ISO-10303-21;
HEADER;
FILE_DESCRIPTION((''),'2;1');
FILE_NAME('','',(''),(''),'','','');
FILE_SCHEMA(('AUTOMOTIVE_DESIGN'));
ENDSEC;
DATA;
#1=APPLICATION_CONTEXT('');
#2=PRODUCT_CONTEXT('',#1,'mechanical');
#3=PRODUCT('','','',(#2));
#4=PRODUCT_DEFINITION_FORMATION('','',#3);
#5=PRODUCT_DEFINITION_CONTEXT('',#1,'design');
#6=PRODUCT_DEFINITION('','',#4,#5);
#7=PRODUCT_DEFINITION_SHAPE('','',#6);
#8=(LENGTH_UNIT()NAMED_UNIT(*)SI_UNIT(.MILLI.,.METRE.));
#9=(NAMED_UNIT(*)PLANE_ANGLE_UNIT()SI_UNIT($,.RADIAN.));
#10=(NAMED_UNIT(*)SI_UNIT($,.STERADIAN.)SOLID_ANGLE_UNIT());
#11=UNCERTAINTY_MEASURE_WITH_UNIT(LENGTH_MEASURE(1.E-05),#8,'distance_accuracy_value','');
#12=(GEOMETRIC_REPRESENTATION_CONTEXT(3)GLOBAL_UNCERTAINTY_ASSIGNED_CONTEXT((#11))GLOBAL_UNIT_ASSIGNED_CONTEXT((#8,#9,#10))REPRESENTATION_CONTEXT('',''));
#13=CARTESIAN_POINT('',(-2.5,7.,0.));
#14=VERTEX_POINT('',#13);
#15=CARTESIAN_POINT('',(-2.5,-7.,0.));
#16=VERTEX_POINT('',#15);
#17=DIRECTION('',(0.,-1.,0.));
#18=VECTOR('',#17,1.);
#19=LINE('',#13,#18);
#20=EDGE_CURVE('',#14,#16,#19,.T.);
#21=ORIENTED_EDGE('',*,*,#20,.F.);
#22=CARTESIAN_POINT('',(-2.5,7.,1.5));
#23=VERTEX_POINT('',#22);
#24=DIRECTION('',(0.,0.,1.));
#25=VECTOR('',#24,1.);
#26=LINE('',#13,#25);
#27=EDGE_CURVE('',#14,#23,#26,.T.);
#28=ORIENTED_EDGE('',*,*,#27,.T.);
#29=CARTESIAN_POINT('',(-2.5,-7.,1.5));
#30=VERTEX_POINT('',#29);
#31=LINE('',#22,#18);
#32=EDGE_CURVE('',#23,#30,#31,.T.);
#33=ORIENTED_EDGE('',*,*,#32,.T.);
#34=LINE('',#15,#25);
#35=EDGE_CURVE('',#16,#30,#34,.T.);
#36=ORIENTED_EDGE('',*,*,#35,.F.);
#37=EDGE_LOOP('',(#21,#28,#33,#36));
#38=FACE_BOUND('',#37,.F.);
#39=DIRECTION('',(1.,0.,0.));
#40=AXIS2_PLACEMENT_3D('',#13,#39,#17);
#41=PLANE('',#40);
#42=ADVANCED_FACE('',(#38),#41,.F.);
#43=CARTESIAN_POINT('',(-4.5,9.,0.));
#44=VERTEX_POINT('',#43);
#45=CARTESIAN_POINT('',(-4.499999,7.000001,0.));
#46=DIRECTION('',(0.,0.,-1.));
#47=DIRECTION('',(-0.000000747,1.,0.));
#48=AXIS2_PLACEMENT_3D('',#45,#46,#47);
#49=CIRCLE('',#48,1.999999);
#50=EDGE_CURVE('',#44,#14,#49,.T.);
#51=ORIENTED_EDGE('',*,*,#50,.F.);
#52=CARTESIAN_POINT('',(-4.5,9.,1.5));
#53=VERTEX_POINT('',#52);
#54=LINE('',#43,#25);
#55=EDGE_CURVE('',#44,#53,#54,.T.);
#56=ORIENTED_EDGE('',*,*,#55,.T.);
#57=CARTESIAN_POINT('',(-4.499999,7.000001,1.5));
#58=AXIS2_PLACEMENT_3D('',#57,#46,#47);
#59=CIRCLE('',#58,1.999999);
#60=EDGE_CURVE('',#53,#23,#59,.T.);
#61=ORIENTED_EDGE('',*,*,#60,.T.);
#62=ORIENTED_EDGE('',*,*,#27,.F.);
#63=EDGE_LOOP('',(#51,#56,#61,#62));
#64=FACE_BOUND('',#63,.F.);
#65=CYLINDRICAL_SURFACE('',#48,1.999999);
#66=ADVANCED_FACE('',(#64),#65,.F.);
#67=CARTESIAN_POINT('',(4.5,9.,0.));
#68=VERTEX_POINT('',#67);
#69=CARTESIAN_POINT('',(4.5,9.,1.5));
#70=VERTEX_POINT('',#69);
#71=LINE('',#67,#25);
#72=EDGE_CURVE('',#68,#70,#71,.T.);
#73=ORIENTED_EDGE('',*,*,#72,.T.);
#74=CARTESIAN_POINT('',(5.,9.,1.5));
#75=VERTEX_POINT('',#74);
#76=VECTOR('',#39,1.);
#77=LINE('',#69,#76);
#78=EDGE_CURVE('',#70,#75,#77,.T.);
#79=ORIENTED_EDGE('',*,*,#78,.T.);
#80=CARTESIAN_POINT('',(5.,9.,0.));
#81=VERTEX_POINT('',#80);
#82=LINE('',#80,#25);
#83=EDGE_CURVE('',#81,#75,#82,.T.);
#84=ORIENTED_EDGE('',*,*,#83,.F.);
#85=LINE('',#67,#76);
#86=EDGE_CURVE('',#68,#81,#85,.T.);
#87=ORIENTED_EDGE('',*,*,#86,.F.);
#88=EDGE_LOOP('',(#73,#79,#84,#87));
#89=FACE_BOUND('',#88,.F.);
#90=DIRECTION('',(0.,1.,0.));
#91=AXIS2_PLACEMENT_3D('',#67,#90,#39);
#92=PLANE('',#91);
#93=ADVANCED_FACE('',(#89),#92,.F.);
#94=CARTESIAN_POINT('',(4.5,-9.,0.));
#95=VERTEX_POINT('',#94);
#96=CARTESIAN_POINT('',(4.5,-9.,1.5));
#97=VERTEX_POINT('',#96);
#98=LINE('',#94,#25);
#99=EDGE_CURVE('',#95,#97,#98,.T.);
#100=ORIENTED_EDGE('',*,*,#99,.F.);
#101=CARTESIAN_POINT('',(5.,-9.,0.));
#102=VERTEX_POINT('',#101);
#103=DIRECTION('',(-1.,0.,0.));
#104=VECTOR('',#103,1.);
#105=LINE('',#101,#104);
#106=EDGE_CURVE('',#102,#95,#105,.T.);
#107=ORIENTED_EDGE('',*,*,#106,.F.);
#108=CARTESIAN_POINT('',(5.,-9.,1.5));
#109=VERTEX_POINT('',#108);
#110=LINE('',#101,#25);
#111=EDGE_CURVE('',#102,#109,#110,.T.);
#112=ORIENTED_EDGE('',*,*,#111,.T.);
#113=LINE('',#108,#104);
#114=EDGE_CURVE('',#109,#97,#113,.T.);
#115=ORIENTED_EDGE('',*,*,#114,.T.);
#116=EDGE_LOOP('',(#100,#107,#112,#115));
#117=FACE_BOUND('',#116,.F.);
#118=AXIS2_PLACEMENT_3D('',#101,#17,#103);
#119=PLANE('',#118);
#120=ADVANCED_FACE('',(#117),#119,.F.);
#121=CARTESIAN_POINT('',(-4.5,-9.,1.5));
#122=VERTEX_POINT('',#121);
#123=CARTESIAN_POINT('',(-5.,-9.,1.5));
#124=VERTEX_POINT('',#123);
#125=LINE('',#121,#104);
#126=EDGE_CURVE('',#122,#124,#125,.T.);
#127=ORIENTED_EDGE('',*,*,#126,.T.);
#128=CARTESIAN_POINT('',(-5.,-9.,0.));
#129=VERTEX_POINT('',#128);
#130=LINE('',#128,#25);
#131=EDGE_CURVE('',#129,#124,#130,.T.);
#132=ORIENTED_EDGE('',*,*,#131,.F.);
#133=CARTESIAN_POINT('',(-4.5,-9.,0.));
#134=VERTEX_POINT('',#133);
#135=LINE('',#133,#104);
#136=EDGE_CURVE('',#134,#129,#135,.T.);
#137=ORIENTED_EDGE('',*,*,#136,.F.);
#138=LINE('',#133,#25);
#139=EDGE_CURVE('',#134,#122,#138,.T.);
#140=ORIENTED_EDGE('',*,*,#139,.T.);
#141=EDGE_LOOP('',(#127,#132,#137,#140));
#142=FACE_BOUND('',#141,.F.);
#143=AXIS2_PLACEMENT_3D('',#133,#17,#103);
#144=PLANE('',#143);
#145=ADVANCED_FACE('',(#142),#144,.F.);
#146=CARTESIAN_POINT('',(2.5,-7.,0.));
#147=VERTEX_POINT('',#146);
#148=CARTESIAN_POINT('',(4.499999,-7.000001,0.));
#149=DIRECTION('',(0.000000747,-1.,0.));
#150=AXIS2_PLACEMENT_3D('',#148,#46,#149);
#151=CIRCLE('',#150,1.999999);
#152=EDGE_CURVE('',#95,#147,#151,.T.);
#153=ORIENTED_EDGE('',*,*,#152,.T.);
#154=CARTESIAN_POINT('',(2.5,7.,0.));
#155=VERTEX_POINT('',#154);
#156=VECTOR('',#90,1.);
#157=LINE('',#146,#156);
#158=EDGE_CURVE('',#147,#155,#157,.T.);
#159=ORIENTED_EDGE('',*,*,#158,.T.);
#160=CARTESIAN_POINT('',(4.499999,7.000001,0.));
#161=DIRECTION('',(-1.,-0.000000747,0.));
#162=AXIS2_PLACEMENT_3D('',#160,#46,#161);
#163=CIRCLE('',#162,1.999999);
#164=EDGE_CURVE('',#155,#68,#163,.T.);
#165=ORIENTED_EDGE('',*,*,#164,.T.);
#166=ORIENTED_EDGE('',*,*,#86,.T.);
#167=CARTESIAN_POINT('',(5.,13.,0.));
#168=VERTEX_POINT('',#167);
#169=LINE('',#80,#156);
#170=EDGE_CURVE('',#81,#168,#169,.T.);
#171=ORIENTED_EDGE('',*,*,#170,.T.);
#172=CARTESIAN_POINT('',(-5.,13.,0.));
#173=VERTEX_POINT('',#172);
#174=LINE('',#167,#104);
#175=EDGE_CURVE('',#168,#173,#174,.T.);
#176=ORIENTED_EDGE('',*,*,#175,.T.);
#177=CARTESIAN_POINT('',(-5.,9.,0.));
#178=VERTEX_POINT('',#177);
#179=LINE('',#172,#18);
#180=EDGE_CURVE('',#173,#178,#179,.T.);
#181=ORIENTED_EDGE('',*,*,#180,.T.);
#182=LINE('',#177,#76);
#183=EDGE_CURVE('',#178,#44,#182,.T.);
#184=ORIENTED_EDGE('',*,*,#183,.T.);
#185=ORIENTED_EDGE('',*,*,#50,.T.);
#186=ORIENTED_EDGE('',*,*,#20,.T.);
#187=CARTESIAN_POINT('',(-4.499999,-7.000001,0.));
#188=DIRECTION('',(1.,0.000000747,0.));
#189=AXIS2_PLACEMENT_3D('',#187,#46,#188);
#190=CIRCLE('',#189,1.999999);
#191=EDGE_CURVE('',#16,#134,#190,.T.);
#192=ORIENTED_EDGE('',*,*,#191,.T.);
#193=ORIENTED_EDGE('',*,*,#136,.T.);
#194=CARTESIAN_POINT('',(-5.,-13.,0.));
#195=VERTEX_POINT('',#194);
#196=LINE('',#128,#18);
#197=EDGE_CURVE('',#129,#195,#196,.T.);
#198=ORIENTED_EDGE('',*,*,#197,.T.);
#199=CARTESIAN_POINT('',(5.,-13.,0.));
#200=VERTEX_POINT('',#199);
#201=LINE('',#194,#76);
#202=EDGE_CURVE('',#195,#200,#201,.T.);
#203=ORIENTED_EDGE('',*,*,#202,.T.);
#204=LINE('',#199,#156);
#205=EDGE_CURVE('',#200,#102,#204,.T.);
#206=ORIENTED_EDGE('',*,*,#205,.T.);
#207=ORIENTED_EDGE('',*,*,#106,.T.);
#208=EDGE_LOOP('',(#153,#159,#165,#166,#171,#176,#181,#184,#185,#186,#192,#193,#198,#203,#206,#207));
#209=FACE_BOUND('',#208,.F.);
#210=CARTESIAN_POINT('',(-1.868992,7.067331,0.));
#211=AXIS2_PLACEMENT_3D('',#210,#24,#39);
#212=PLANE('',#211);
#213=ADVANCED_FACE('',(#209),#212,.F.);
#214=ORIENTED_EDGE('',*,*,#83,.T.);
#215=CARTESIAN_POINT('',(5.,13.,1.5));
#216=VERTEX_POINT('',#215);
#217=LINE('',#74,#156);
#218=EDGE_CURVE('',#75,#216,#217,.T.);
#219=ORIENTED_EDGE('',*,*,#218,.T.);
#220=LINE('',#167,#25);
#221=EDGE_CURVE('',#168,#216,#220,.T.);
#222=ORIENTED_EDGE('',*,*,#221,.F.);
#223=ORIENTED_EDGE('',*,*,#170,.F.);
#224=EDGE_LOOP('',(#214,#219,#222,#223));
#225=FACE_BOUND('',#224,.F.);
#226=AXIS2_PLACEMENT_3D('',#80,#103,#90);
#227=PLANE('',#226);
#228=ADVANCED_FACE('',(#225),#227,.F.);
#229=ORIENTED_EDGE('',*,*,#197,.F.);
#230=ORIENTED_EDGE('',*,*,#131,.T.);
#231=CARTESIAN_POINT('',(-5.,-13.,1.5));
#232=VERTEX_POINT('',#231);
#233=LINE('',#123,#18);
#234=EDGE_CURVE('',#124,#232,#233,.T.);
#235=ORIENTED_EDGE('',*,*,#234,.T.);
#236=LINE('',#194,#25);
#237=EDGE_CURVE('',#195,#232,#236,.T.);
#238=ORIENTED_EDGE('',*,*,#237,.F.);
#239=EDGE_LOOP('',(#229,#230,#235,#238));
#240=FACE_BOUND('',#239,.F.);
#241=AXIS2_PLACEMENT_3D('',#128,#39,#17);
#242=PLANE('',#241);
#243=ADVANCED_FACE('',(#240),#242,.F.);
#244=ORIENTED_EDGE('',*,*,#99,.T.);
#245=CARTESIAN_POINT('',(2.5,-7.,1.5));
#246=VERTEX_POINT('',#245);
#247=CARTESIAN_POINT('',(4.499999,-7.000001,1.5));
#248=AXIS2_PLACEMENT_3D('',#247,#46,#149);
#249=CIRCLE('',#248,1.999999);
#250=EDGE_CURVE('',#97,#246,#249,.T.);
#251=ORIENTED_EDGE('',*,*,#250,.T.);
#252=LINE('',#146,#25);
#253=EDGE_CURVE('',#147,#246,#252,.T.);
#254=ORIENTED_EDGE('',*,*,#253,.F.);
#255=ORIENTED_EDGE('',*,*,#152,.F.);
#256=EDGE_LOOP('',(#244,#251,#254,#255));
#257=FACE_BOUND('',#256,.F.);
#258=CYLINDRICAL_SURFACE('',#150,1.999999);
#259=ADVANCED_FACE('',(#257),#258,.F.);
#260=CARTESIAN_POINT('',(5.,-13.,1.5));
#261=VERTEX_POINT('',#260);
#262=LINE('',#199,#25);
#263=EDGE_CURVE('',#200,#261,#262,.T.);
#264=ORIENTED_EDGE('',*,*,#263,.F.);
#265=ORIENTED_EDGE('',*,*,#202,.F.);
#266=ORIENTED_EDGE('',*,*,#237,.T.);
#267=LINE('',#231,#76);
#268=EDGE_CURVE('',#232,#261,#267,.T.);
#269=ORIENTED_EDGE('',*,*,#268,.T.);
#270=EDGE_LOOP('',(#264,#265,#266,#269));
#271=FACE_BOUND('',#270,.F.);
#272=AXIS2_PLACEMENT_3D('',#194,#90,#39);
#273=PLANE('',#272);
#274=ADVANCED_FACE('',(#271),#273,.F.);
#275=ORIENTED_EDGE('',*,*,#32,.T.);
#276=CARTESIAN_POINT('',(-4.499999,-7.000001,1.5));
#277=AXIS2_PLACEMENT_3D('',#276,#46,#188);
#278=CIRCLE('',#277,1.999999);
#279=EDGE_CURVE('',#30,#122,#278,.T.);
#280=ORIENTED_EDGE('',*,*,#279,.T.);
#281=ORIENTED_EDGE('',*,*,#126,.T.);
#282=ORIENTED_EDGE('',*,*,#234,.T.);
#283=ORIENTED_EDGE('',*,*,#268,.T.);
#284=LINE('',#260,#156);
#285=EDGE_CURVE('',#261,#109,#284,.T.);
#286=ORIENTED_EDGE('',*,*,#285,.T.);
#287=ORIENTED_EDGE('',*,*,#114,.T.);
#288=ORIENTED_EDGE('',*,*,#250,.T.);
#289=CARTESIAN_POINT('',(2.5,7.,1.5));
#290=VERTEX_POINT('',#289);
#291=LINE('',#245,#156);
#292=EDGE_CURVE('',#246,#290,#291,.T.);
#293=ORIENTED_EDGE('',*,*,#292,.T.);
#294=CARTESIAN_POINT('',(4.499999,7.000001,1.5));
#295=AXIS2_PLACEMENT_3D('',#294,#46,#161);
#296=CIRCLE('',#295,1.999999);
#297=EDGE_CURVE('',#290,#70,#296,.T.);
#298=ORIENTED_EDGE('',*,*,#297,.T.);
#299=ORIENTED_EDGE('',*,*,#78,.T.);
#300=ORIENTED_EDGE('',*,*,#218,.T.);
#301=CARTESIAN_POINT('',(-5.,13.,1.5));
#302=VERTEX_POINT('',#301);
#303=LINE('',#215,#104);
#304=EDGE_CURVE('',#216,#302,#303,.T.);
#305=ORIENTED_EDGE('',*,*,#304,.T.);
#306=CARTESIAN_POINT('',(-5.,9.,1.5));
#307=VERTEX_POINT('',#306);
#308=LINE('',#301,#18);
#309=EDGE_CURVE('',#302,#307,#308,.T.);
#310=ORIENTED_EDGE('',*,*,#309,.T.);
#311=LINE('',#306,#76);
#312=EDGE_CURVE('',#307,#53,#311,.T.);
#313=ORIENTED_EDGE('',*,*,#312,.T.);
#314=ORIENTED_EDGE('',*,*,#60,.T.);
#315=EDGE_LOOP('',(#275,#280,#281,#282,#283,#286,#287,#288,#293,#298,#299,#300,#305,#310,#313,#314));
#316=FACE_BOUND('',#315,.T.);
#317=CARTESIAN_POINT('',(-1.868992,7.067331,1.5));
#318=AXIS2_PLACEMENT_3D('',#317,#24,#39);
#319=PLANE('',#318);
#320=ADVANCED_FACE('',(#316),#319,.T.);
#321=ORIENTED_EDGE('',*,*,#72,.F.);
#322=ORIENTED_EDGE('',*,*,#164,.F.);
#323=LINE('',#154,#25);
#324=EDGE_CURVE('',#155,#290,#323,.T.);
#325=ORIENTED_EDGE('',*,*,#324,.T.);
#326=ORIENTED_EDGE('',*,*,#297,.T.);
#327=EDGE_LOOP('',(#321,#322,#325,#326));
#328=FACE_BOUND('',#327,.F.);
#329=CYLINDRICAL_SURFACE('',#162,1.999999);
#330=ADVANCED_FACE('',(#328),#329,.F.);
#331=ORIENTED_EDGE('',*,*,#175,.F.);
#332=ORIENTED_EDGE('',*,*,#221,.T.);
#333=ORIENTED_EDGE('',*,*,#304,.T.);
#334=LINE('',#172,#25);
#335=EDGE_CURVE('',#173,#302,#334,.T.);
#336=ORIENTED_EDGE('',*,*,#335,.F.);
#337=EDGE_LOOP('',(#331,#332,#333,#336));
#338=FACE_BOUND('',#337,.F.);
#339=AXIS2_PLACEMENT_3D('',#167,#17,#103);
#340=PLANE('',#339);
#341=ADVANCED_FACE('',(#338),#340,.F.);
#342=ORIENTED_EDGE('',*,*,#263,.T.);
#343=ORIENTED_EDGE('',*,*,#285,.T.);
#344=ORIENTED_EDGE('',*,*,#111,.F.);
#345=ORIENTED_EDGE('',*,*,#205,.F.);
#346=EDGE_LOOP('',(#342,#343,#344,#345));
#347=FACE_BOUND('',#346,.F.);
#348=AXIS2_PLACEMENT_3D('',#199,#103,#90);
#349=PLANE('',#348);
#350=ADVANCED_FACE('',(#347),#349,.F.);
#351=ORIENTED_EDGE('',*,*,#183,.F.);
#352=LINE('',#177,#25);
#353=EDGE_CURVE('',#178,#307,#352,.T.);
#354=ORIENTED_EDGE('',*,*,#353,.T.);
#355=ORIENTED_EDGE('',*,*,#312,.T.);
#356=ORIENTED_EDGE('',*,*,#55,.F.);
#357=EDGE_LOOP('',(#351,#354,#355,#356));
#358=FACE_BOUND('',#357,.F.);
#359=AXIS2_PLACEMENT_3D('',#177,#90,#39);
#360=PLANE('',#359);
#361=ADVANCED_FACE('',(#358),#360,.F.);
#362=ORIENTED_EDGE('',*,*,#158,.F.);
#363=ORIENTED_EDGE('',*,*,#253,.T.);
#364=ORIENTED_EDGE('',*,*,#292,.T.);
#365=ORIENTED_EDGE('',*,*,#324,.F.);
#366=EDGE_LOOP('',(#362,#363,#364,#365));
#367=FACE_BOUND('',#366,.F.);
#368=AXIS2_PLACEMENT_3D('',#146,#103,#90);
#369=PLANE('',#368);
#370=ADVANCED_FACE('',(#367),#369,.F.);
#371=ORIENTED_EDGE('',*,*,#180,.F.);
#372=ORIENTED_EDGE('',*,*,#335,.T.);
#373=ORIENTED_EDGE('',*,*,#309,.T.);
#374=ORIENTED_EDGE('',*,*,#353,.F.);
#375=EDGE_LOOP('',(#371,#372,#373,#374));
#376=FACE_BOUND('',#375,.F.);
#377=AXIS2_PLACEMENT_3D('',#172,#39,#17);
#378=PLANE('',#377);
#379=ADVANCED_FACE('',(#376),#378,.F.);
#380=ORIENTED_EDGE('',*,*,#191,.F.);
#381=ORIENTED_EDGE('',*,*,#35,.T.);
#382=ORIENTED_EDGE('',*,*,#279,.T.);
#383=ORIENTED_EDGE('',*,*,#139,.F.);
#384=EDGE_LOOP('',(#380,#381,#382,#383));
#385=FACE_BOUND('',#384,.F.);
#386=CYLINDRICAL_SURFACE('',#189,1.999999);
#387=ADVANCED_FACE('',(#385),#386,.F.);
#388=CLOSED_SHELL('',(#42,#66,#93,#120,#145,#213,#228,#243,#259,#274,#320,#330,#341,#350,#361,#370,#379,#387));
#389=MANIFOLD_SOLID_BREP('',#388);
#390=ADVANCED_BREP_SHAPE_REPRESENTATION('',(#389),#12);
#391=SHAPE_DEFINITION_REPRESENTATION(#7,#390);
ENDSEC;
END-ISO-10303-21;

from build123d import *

# Parameters (mm, degrees)
F1_DEPTH = 1.5


with BuildPart() as f1:
    # F0 (on Top) → F1 (new body)
    with BuildSketch(Plane.XY):
        with BuildLine():
            Line((-2.5, 0), (0, 0))
            Line((0, 0), (0, 13))
            Line((0, 13), (-5, 13))
            Line((-5, 13), (-5, 9))
            Line((-5, 9), (-4.5, 9))
            ThreePointArc((-4.5, 9), (-3.085786, 8.414214), (-2.5, 7))
            Line((-2.5, 7), (-2.5, 0))
        make_face()
        with BuildLine():
            Line((0, 13), (0, 0))
            Line((0, 0), (2.5, 0))
            Line((2.5, 0), (2.5, 7))
            ThreePointArc((2.5, 7), (3.085786, 8.414214), (4.5, 9))
            Line((4.5, 9), (5, 9))
            Line((5, 9), (5, 13))
            Line((5, 13), (0, 13))
        make_face()
        with BuildLine():
            Line((0, -13), (0, 0))
            Line((0, 0), (-2.5, 0))
            Line((-2.5, 0), (-2.5, -7))
            ThreePointArc((-2.5, -7), (-3.085786, -8.414214), (-4.5, -9))
            Line((-4.5, -9), (-5, -9))
            Line((-5, -9), (-5, -13))
            Line((-5, -13), (0, -13))
        make_face()
        with BuildLine():
            Line((2.5, 0), (0, 0))
            Line((0, 0), (0, -13))
            Line((0, -13), (5, -13))
            Line((5, -13), (5, -9))
            Line((5, -9), (4.5, -9))
            ThreePointArc((4.5, -9), (3.085786, -8.414214), (2.5, -7))
            Line((2.5, -7), (2.5, 0))
        make_face()
    extrude(amount=F1_DEPTH)


solid = f1.part
